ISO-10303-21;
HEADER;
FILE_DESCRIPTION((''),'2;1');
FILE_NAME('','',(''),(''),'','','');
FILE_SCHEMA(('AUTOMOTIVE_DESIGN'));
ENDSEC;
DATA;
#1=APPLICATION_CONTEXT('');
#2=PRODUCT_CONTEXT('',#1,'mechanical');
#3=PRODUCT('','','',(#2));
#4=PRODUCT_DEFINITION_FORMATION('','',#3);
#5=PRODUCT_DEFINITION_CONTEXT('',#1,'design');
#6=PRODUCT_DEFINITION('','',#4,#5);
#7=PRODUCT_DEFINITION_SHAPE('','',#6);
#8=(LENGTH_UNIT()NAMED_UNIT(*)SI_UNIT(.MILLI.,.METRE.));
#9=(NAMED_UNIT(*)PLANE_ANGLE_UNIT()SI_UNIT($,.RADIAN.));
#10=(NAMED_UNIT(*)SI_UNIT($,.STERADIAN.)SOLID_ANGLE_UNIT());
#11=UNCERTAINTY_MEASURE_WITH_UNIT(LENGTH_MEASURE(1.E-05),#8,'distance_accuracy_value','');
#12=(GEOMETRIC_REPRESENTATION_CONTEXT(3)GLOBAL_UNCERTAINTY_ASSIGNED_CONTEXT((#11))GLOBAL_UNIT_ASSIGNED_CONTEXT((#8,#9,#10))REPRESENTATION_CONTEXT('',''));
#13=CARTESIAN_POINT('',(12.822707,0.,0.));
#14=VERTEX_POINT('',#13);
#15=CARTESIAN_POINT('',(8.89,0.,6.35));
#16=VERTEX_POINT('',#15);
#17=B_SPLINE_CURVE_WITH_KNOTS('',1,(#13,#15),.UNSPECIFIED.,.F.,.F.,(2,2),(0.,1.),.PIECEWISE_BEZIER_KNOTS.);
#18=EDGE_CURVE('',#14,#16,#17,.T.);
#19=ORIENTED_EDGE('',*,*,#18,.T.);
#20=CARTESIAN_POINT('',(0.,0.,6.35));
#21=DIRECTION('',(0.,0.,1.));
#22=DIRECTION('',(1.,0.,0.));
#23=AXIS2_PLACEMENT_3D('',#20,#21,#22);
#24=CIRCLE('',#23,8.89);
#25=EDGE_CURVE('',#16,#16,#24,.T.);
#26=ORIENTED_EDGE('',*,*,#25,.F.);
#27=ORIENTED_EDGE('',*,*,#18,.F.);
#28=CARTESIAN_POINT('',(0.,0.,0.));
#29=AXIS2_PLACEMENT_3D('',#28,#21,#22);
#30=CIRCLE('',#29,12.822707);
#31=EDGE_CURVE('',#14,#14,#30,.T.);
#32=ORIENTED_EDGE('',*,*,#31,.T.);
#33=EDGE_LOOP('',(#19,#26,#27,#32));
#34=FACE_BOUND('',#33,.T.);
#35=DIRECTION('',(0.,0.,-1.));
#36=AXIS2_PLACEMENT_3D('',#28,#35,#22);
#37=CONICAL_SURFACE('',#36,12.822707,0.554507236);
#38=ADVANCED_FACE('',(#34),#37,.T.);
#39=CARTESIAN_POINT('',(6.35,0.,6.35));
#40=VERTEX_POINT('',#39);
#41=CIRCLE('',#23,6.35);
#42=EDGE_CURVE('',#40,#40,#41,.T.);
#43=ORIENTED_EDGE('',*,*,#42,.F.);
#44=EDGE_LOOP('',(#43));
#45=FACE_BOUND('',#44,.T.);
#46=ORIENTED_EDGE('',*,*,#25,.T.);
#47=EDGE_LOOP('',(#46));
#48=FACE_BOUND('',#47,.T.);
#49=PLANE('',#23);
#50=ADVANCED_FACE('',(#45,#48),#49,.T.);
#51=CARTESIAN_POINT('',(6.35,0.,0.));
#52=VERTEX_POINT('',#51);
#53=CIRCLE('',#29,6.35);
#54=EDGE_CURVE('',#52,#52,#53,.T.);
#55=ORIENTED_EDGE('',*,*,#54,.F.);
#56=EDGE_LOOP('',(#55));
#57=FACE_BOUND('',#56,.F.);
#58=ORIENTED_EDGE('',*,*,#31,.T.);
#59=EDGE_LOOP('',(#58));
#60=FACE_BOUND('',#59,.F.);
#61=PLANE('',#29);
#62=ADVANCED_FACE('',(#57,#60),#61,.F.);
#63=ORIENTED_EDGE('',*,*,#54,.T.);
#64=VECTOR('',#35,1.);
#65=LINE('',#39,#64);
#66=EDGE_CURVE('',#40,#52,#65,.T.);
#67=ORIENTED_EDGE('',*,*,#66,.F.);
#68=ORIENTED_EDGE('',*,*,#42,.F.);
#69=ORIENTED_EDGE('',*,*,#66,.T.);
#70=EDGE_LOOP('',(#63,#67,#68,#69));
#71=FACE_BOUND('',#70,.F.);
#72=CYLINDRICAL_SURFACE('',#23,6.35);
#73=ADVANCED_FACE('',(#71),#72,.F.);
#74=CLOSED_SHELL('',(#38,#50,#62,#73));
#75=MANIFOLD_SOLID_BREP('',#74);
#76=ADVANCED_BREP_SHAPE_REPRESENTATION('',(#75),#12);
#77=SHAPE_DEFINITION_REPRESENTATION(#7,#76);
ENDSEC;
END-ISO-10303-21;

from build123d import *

# Parameters (mm, degrees)
F0_R     = 12.822707
F2_R     = 8.89
F4_R     = 6.35
F5_DEPTH = 25.4


with BuildPart() as f3:
    # F0 (on Top) → F3 section 0
    with BuildSketch(Plane.XY):
        Circle(F0_R)
    # F2 (on offset) → F3 section 1
    with BuildSketch(Plane.XY.offset(6.35)):
        Circle(F2_R)
    loft()

    # F4 (on offset) → F5 (cut)
    with BuildSketch(Plane.XY.offset(6.35)):
        Circle(F4_R)
    extrude(amount=-F5_DEPTH, mode=Mode.SUBTRACT)


solid = f3.part
